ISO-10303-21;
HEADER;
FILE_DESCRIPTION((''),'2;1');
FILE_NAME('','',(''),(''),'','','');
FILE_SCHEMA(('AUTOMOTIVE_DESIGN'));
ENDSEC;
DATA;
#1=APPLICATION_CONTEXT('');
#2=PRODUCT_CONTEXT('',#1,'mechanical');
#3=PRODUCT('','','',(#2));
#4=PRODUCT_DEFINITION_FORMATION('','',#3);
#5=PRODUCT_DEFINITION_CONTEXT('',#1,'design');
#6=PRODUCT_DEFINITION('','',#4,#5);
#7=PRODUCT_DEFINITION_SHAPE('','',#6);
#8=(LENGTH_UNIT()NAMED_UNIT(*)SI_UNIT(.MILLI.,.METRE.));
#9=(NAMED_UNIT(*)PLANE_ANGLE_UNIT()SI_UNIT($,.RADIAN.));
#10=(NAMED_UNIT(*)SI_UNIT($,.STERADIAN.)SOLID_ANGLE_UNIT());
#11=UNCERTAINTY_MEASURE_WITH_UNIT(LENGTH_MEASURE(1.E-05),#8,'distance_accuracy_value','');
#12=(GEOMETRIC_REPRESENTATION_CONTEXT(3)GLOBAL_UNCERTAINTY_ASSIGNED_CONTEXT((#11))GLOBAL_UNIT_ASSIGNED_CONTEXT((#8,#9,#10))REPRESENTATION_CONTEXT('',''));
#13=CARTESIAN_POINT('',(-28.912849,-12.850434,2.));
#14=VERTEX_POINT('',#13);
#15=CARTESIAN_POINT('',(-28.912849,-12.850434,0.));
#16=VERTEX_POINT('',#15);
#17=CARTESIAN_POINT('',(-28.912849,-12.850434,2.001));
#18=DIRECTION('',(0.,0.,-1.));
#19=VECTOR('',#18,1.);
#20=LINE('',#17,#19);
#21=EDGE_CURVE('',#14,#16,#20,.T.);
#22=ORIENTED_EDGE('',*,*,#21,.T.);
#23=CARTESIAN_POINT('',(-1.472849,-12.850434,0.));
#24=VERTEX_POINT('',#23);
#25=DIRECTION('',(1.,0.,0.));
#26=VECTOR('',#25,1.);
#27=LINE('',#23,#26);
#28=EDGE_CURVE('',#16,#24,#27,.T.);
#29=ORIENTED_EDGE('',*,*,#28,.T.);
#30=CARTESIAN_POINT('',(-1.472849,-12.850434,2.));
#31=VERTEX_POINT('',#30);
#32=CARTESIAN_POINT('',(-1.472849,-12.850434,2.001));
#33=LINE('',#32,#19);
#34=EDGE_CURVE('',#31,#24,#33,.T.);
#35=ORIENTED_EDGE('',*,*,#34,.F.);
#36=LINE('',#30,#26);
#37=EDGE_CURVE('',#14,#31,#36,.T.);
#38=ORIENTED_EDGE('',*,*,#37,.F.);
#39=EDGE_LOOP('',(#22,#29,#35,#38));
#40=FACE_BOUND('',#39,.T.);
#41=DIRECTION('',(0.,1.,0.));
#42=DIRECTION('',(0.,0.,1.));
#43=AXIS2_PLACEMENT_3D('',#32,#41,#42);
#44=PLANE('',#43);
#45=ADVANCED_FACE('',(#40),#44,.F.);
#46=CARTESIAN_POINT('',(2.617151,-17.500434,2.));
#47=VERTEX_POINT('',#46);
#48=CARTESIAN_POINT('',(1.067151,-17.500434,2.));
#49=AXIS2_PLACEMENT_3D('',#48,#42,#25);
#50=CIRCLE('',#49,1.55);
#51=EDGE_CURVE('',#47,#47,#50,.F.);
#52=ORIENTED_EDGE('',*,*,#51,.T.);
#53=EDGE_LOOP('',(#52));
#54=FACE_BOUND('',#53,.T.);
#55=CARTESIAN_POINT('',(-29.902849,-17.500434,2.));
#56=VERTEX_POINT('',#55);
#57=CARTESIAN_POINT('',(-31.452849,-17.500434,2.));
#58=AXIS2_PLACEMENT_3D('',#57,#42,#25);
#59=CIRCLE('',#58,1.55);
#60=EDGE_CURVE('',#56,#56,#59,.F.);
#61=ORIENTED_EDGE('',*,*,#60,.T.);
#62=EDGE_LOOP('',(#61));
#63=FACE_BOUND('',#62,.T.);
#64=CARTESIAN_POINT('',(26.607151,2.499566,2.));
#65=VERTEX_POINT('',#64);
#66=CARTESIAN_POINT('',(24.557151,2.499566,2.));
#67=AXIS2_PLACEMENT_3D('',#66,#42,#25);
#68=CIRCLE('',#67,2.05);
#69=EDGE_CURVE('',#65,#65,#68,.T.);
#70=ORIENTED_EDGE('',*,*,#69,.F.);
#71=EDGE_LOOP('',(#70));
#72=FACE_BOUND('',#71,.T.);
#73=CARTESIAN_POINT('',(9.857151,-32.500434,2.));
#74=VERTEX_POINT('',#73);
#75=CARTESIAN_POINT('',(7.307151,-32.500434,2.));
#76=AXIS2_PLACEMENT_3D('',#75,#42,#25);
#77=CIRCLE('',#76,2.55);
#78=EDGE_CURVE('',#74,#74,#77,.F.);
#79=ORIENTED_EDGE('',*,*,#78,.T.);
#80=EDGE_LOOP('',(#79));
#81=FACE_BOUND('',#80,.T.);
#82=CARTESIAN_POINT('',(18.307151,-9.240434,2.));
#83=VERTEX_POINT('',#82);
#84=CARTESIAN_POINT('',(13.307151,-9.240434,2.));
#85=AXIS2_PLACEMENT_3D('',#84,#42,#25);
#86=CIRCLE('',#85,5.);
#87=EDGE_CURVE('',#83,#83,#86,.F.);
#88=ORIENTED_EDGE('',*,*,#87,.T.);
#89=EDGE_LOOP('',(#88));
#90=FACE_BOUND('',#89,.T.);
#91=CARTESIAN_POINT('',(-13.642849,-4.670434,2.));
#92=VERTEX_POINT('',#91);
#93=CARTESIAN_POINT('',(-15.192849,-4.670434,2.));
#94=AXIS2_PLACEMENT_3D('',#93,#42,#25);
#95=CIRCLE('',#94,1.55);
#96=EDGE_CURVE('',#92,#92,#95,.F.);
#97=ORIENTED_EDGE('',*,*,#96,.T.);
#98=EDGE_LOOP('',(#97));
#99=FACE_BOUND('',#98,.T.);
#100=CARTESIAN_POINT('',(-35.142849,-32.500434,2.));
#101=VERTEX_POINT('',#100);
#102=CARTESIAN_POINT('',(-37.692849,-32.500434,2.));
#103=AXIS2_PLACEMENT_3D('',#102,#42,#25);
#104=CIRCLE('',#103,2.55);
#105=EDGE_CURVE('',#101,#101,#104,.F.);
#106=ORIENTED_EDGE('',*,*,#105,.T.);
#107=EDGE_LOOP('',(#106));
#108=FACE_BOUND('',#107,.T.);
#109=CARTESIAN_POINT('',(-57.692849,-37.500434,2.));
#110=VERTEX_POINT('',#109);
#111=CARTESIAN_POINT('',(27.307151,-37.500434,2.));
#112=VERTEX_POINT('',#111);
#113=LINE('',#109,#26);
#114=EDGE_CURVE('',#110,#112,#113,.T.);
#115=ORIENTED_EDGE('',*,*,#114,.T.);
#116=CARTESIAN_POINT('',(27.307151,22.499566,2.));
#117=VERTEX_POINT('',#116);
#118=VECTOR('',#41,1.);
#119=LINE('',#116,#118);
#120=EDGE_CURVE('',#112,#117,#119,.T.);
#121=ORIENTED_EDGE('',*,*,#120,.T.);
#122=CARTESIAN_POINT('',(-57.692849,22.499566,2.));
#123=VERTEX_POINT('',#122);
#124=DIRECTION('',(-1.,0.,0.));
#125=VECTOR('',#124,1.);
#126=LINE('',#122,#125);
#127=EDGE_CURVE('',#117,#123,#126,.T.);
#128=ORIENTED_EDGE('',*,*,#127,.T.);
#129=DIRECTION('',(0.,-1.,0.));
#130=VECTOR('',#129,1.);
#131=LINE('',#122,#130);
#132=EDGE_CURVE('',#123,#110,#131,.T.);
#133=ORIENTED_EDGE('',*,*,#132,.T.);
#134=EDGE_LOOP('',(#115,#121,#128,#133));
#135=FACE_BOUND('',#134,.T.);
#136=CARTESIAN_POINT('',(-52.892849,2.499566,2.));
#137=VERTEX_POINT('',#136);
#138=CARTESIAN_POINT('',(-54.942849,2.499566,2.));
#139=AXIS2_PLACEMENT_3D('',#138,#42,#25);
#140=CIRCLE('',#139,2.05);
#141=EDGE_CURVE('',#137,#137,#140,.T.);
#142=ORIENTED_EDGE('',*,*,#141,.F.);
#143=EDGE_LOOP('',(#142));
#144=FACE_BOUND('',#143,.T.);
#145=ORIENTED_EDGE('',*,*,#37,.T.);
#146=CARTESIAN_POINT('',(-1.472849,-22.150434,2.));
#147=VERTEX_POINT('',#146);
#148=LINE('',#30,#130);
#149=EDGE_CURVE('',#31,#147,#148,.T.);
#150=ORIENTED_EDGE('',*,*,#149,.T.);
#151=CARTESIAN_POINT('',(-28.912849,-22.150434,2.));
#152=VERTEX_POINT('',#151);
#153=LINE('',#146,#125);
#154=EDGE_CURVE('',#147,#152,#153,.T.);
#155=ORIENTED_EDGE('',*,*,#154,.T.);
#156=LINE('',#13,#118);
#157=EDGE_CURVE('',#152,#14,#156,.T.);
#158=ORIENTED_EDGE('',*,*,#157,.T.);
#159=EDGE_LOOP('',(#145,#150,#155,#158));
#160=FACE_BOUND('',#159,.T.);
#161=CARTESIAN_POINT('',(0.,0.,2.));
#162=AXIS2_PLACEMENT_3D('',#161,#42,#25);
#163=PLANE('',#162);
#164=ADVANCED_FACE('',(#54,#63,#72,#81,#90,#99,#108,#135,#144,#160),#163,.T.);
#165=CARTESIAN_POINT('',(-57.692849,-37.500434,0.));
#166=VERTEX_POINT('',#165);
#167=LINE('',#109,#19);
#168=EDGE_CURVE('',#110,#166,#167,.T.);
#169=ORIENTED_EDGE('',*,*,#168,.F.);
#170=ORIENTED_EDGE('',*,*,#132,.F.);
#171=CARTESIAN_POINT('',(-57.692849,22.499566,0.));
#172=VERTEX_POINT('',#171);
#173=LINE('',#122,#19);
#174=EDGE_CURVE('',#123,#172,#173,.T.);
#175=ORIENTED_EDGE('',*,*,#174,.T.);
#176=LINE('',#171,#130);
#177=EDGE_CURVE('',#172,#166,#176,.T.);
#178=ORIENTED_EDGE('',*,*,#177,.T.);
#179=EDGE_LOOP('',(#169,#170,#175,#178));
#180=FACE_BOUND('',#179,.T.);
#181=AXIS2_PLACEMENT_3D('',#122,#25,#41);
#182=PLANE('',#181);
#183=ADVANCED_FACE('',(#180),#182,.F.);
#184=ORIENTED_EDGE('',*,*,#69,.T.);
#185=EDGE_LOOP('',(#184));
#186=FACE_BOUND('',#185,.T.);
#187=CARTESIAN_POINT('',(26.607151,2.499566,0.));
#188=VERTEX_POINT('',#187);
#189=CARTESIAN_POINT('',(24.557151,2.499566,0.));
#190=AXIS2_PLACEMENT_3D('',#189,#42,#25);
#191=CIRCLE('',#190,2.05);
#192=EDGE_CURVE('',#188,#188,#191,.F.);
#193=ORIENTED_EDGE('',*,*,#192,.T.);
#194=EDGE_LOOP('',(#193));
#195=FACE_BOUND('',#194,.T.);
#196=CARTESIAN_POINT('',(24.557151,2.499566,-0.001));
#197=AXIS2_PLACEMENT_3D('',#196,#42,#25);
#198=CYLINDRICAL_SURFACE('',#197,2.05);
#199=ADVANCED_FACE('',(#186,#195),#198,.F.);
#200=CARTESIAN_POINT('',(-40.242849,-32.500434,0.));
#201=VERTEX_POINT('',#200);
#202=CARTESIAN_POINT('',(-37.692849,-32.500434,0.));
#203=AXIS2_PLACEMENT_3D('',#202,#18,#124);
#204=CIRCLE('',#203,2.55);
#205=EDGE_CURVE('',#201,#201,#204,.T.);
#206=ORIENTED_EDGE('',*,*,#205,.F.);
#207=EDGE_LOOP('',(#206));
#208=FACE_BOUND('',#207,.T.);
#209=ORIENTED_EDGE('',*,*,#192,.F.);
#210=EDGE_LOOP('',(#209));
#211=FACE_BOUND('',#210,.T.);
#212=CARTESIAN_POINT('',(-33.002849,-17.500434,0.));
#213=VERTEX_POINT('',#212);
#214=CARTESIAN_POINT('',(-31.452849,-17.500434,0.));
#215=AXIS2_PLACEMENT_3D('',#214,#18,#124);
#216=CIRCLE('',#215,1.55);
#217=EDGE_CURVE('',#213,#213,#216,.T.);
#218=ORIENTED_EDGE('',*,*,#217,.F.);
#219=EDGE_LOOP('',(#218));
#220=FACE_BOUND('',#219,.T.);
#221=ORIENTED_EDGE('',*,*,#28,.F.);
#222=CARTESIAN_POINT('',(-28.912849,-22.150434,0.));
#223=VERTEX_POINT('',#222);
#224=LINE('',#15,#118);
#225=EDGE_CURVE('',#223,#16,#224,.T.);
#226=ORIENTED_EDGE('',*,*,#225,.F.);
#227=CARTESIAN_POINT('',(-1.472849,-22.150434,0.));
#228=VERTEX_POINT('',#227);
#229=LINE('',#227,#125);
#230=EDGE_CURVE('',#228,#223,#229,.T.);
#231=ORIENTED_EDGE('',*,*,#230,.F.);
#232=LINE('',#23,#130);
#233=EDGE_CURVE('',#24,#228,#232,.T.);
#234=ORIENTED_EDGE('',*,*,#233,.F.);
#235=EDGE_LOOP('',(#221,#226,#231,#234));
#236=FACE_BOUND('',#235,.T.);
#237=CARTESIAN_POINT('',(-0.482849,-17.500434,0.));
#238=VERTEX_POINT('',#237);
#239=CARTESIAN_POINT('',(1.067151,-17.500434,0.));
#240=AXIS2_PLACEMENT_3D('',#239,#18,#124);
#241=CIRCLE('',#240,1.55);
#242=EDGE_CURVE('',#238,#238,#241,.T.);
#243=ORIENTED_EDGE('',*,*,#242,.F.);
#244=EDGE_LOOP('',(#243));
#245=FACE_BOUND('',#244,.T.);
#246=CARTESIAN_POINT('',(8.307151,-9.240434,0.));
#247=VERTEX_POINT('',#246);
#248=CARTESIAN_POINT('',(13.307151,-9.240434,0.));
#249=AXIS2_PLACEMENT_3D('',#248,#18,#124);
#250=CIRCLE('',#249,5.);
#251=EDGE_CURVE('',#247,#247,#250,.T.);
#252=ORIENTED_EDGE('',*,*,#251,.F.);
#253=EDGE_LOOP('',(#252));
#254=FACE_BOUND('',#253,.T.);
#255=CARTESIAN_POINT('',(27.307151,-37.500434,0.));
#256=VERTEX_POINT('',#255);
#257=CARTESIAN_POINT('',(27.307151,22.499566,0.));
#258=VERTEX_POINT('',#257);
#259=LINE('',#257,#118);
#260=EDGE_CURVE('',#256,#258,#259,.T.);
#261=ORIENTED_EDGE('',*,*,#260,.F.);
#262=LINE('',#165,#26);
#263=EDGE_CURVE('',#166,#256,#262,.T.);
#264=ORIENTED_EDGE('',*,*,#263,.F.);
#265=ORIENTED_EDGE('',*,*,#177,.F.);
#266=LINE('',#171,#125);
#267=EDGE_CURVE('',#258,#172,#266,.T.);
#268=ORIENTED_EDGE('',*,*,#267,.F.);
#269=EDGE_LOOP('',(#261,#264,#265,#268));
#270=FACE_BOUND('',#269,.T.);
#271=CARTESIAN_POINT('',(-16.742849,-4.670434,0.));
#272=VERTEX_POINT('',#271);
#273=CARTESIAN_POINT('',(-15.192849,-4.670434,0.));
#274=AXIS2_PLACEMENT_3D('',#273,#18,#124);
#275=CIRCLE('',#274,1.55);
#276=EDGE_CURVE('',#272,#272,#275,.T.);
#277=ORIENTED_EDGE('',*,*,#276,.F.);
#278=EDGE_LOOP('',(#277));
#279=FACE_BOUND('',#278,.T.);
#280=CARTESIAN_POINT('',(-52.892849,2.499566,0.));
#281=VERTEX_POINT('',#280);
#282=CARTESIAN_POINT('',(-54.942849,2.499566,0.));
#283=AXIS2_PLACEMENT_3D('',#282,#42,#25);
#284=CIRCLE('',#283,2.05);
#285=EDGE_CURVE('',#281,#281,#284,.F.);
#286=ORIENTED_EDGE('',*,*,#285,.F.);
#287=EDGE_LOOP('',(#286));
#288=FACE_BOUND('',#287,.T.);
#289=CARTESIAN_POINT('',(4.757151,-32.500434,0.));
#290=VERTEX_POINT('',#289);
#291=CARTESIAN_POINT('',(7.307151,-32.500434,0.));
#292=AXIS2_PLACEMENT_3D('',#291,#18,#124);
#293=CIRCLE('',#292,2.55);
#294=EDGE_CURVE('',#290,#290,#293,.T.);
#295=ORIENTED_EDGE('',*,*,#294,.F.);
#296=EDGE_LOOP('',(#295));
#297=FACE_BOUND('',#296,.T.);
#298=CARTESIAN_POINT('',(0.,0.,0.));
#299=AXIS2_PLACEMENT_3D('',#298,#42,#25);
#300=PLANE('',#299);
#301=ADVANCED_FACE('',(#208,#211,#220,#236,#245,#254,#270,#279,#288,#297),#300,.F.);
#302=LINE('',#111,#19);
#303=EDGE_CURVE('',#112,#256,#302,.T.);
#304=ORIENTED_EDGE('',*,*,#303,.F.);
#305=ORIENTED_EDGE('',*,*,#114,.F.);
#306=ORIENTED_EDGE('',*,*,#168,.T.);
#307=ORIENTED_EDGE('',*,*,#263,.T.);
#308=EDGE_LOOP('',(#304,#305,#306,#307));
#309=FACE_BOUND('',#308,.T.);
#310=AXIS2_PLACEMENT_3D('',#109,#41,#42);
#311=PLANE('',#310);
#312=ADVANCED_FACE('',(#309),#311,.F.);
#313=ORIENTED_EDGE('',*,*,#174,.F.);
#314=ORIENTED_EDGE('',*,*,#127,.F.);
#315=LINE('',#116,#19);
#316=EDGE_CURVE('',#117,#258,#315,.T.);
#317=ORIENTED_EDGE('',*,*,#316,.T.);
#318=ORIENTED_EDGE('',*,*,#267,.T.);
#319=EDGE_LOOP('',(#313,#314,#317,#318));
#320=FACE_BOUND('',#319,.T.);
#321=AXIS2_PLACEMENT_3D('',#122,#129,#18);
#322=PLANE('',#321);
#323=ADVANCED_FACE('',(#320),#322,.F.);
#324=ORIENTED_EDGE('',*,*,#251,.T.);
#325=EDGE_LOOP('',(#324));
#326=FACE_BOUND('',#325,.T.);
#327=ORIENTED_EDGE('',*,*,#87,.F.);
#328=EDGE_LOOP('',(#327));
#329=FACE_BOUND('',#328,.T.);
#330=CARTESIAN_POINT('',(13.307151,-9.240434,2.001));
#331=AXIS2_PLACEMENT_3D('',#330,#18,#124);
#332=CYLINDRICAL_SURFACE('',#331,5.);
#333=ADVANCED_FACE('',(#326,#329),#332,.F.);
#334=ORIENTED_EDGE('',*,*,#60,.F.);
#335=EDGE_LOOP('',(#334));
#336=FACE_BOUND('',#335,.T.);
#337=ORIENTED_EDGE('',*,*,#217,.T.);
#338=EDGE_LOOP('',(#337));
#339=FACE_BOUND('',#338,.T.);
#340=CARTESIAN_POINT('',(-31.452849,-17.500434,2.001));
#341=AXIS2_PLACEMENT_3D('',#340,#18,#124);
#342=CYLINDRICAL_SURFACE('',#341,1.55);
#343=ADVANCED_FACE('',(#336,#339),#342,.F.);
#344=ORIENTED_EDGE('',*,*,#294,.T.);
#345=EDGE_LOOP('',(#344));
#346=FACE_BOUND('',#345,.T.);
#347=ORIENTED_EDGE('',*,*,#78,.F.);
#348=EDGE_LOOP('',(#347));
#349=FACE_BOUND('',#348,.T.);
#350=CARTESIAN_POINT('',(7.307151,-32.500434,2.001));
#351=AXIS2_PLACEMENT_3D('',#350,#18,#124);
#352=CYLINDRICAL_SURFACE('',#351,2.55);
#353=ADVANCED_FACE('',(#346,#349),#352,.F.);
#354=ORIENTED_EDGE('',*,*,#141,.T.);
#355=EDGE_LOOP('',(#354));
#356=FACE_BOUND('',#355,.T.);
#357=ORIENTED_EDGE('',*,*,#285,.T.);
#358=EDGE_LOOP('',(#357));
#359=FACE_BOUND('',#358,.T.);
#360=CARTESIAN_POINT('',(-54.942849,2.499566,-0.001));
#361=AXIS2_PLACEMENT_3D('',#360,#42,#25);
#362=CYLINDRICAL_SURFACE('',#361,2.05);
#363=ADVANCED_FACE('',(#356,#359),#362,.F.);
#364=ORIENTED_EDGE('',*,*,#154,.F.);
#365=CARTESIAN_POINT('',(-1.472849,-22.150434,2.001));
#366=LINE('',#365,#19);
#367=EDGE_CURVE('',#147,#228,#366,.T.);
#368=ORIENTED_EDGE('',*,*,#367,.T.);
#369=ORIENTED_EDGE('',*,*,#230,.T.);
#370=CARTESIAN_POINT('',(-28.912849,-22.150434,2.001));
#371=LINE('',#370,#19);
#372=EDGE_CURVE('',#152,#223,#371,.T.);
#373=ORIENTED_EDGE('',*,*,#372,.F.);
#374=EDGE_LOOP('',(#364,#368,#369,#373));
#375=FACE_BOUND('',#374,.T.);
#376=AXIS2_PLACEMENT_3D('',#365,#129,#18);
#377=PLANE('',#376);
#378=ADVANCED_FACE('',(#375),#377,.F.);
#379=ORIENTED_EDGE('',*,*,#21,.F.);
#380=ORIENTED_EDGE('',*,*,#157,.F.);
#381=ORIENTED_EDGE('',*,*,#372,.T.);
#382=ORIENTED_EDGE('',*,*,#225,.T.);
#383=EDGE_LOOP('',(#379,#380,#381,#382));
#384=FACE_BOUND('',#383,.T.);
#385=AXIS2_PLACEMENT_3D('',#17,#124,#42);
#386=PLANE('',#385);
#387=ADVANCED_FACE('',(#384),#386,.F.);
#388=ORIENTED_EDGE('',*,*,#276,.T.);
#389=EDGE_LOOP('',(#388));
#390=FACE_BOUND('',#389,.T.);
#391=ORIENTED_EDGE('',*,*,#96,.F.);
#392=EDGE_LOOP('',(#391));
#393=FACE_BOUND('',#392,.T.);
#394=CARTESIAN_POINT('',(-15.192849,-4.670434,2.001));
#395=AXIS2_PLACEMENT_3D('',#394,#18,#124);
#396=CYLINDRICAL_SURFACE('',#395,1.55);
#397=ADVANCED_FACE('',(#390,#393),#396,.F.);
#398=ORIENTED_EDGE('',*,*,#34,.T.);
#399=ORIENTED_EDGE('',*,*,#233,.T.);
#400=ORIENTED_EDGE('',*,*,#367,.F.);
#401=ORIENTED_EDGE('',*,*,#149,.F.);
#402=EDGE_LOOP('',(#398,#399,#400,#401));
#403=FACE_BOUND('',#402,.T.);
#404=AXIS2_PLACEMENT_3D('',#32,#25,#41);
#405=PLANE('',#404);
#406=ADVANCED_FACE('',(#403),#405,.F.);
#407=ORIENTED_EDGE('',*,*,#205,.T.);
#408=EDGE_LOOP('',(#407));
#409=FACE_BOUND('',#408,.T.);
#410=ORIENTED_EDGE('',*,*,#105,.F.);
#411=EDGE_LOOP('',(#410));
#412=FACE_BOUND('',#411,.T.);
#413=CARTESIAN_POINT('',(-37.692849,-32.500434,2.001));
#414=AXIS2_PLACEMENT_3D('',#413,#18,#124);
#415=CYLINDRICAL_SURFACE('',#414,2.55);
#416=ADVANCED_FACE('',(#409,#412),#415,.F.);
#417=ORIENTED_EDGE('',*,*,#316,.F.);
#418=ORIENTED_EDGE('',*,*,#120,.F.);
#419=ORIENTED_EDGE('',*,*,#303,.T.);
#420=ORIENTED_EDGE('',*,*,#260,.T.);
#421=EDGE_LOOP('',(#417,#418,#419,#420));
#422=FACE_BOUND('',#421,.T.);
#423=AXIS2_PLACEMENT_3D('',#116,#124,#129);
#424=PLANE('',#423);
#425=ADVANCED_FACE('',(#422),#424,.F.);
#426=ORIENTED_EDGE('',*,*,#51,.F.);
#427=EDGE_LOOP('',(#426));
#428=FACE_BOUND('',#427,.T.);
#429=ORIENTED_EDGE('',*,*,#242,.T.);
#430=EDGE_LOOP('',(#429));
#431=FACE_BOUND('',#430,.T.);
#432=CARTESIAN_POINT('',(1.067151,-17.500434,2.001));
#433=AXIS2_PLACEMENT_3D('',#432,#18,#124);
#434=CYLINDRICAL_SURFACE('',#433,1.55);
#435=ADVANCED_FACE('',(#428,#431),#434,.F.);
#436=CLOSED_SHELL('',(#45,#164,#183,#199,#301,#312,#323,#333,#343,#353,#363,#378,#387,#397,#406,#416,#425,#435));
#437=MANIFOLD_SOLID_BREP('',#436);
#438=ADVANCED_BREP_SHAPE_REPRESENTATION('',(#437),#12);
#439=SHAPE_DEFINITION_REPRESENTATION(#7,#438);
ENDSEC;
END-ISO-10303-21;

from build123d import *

# Parameters (mm, degrees)
SKETCH1_W           = 85
SKETCH1_H           = 60
BOSS_EXTRUDE1_DEPTH = 2
CUT_EXTRUDE1_REACH  = 4
SKETCH2_R           = 2.55
CUT_EXTRUDE2_REACH  = 4
SKETCH3_R           = 5
SKETCH3_R_2         = 1.55
SKETCH3_W           = 27.44
SKETCH3_H           = 9.3
CUT_EXTRUDE3_REACH  = 4
SKETCH4_R           = 2.05


with BuildPart() as part:
    # Sketch1 → Boss-Extrude1 (new body)
    with BuildSketch(Plane.XY):
        with Locations((-15.192849494, -7.500433728)):
            Rectangle(SKETCH1_W, SKETCH1_H)
    extrude(amount=BOSS_EXTRUDE1_DEPTH)

    # Sketch2 → Cut-Extrude1 (cut, up to next)
    with BuildSketch(Plane(origin=(0, 0, 0), x_dir=(-1, 0, 0), z_dir=(0, 0, -1)), mode=Mode.PRIVATE) as cut_extrude1_sk1:
        with Locations((-7.307150506, -32.500433728)):
            Circle(SKETCH2_R)
    cut_extrude1_tool1 = extrude(cut_extrude1_sk1.sketch, amount=-CUT_EXTRUDE1_REACH, mode=Mode.PRIVATE) & part.part
    add(cut_extrude1_tool1.solids().sort_by_distance((7.307151, -32.500434, 0))[0], mode=Mode.SUBTRACT)
    # Sketch2 → Cut-Extrude1 (cut, up to next)
    with BuildSketch(Plane(origin=(0, 0, 0), x_dir=(-1, 0, 0), z_dir=(0, 0, -1)), mode=Mode.PRIVATE) as cut_extrude1_sk2:
        with Locations((37.692849494, -32.500433728)):
            Circle(SKETCH2_R)
    cut_extrude1_tool2 = extrude(cut_extrude1_sk2.sketch, amount=-CUT_EXTRUDE1_REACH, mode=Mode.PRIVATE) & part.part
    add(cut_extrude1_tool2.solids().sort_by_distance((-37.692849, -32.500434, 0))[0], mode=Mode.SUBTRACT)

    # Sketch3 → Cut-Extrude2 (cut, up to next)
    with BuildSketch(Plane(origin=(0, 0, 0), x_dir=(-1, 0, 0), z_dir=(0, 0, -1)), mode=Mode.PRIVATE) as cut_extrude2_sk1:
        with Locations((-13.307150506, -9.240433728)):
            Circle(SKETCH3_R)
    cut_extrude2_tool1 = extrude(cut_extrude2_sk1.sketch, amount=-CUT_EXTRUDE2_REACH, mode=Mode.PRIVATE) & part.part
    add(cut_extrude2_tool1.solids().sort_by_distance((13.307151, -9.240434, 0))[0], mode=Mode.SUBTRACT)
    # Sketch3 → Cut-Extrude2 (cut, up to next)
    with BuildSketch(Plane(origin=(0, 0, 0), x_dir=(-1, 0, 0), z_dir=(0, 0, -1)), mode=Mode.PRIVATE) as cut_extrude2_sk2:
        with Locations((15.192849494, -4.670433728)):
            Circle(SKETCH3_R_2)
    cut_extrude2_tool2 = extrude(cut_extrude2_sk2.sketch, amount=-CUT_EXTRUDE2_REACH, mode=Mode.PRIVATE) & part.part
    add(cut_extrude2_tool2.solids().sort_by_distance((-15.192849, -4.670434, 0))[0], mode=Mode.SUBTRACT)
    # Sketch3 → Cut-Extrude2 (cut, up to next)
    with BuildSketch(Plane(origin=(0, 0, 0), x_dir=(-1, 0, 0), z_dir=(0, 0, -1)), mode=Mode.PRIVATE) as cut_extrude2_sk3:
        with Locations((-1.067150506, -17.500433728)):
            Circle(SKETCH3_R_2)
    cut_extrude2_tool3 = extrude(cut_extrude2_sk3.sketch, amount=-CUT_EXTRUDE2_REACH, mode=Mode.PRIVATE) & part.part
    add(cut_extrude2_tool3.solids().sort_by_distance((1.067151, -17.500434, 0))[0], mode=Mode.SUBTRACT)
    # Sketch3 → Cut-Extrude2 (cut, up to next)
    with BuildSketch(Plane(origin=(0, 0, 0), x_dir=(-1, 0, 0), z_dir=(0, 0, -1)), mode=Mode.PRIVATE) as cut_extrude2_sk4:
        with Locations((31.452849494, -17.500433728)):
            Circle(SKETCH3_R_2)
    cut_extrude2_tool4 = extrude(cut_extrude2_sk4.sketch, amount=-CUT_EXTRUDE2_REACH, mode=Mode.PRIVATE) & part.part
    add(cut_extrude2_tool4.solids().sort_by_distance((-31.452849, -17.500434, 0))[0], mode=Mode.SUBTRACT)
    # Sketch3 → Cut-Extrude2 (cut, up to next)
    with BuildSketch(Plane(origin=(0, 0, 0), x_dir=(-1, 0, 0), z_dir=(0, 0, -1)), mode=Mode.PRIVATE) as cut_extrude2_sk5:
        with Locations((15.192849494, -17.500433728)):
            Rectangle(SKETCH3_W, SKETCH3_H)
    cut_extrude2_tool5 = extrude(cut_extrude2_sk5.sketch, amount=-CUT_EXTRUDE2_REACH, mode=Mode.PRIVATE) & part.part
    add(cut_extrude2_tool5.solids().sort_by_distance((-15.192849, -17.500434, 0))[0], mode=Mode.SUBTRACT)

    # Sketch4 → Cut-Extrude3 (cut, up to next)
    with BuildSketch(Plane.XY.offset(2), mode=Mode.PRIVATE) as cut_extrude3_sk1:
        with Locations((-54.942849494, 2.499566272)):
            Circle(SKETCH4_R)
    cut_extrude3_tool1 = extrude(cut_extrude3_sk1.sketch, amount=-CUT_EXTRUDE3_REACH, mode=Mode.PRIVATE) & part.part
    add(cut_extrude3_tool1.solids().sort_by_distance((-54.942849, 2.499566, 2))[0], mode=Mode.SUBTRACT)
    # Sketch4 → Cut-Extrude3 (cut, up to next)
    with BuildSketch(Plane.XY.offset(2), mode=Mode.PRIVATE) as cut_extrude3_sk2:
        with Locations((24.557150506, 2.499566272)):
            Circle(SKETCH4_R)
    cut_extrude3_tool2 = extrude(cut_extrude3_sk2.sketch, amount=-CUT_EXTRUDE3_REACH, mode=Mode.PRIVATE) & part.part
    add(cut_extrude3_tool2.solids().sort_by_distance((24.557151, 2.499566, 2))[0], mode=Mode.SUBTRACT)


solid = part.part
